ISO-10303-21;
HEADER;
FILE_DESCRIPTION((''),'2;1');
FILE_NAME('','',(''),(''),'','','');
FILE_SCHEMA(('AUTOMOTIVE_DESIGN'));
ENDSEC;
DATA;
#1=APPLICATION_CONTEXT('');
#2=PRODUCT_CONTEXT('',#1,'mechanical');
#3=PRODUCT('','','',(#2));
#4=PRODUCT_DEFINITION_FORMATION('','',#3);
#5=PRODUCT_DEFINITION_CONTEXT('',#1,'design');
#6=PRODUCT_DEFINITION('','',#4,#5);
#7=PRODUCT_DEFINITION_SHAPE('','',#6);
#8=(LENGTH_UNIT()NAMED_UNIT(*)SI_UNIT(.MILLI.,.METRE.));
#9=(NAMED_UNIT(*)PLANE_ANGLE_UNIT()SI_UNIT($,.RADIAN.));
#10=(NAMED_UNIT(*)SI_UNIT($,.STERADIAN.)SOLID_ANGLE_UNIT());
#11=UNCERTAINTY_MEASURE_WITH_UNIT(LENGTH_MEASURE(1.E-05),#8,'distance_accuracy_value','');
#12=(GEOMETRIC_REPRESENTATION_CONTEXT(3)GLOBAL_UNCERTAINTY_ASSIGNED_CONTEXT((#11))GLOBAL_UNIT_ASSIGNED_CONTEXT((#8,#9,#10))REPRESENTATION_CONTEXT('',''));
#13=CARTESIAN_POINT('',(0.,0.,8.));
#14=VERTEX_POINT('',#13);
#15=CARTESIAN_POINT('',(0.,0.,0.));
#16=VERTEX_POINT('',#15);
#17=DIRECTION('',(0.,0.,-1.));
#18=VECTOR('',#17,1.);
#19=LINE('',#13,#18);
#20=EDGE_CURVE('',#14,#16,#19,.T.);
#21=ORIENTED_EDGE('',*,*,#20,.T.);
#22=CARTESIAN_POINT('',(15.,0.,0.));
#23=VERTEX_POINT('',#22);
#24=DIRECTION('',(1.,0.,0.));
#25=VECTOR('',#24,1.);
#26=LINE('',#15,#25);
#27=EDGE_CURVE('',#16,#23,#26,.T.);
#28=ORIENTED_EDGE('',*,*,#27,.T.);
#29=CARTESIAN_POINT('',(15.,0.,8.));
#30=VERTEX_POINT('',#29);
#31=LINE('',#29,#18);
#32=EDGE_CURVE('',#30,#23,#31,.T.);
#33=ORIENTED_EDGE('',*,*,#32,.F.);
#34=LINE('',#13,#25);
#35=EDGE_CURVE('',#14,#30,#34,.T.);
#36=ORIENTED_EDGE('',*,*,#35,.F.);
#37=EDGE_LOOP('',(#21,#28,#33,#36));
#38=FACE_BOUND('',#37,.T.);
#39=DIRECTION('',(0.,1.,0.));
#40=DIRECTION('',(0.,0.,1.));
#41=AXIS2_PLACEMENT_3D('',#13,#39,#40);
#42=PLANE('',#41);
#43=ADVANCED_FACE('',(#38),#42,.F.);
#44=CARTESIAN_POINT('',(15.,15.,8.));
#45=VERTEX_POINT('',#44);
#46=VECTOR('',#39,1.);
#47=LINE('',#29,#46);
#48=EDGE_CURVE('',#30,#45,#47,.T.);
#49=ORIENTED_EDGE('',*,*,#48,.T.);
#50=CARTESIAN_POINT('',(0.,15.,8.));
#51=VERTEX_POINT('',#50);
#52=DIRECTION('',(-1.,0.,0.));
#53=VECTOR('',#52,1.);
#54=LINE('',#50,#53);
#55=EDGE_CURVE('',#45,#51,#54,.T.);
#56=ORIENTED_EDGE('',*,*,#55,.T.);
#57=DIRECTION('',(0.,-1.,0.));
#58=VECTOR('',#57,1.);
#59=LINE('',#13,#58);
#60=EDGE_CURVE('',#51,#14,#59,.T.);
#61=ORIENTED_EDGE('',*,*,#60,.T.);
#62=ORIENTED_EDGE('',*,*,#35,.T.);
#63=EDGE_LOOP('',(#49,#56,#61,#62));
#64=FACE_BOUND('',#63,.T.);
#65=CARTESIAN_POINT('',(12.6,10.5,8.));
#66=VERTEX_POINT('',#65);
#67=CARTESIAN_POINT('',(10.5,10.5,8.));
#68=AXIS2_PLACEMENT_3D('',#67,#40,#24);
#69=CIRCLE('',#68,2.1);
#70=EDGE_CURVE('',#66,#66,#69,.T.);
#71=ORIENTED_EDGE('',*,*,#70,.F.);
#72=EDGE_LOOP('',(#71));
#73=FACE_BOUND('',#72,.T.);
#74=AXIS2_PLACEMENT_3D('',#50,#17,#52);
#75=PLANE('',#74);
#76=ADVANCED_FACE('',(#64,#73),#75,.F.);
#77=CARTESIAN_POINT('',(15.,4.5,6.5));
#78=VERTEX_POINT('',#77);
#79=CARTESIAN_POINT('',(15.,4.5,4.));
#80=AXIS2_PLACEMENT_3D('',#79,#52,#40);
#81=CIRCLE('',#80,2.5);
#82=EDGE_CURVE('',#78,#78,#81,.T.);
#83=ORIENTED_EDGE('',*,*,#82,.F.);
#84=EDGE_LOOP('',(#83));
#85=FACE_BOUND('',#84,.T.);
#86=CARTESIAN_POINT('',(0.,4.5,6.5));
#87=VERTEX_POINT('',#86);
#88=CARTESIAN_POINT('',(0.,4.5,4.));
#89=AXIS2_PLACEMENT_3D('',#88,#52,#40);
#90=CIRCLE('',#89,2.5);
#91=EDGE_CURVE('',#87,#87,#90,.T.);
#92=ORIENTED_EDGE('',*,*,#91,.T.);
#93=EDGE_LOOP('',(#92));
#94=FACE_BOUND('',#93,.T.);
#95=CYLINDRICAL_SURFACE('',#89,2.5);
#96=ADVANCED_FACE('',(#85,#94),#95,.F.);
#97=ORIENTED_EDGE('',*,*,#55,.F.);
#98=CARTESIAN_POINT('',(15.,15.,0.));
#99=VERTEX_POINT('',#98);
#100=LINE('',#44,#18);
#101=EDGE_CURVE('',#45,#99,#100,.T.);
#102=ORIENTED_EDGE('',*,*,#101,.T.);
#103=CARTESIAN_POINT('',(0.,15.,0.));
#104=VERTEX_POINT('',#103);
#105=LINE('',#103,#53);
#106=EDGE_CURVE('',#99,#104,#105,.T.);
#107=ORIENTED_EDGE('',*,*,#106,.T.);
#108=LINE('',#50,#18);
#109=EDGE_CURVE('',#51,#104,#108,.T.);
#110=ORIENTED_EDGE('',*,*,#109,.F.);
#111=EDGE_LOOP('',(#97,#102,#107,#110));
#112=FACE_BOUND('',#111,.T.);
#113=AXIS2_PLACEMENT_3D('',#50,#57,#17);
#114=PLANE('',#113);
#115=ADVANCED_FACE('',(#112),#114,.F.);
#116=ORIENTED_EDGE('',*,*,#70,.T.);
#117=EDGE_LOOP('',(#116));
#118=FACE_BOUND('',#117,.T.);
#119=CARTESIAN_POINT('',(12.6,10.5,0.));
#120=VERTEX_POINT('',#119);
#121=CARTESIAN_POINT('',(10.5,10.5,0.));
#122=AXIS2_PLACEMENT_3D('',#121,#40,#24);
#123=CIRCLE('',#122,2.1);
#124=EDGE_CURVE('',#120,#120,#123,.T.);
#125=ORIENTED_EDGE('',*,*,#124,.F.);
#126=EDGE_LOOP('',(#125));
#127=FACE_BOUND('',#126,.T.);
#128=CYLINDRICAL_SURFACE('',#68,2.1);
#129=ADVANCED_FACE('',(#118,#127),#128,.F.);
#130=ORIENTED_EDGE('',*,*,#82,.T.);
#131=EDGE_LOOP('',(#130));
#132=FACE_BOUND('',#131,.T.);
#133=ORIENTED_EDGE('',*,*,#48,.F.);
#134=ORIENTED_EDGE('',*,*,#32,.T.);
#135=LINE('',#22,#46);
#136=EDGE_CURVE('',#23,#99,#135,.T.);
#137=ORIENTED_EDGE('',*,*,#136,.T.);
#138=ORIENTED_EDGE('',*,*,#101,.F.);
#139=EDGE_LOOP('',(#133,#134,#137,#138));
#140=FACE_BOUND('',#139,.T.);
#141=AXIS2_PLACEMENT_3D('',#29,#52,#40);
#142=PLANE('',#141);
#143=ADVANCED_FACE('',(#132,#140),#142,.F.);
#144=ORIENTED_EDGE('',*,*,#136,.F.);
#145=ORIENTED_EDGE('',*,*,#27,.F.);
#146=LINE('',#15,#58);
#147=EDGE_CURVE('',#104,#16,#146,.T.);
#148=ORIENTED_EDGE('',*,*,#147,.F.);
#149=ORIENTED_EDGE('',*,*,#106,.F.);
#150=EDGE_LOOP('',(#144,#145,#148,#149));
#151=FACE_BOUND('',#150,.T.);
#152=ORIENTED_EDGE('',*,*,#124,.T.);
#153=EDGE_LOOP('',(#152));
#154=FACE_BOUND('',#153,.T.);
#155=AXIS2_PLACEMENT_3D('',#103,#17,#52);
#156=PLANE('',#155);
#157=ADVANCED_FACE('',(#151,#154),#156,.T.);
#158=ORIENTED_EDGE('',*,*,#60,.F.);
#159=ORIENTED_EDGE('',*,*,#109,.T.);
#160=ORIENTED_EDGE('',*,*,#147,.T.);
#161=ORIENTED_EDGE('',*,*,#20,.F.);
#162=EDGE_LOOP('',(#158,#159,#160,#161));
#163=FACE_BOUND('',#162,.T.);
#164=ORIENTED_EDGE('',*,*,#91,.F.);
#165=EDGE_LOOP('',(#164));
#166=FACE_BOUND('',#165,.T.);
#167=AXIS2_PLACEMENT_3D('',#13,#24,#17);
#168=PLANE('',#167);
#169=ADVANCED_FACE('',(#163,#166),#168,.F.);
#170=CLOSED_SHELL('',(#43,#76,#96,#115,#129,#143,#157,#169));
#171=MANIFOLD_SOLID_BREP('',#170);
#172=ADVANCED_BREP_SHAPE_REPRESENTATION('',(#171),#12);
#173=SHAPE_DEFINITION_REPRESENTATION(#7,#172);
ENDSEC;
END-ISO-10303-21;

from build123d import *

# Parameters (mm, degrees)
SKETCH1_W                   = 15
SKETCH1_H                   = 15
BOSS_EXTRUDE1_DEPTH         = 8
TAP_DRILL_FOR_M5X0_8_TAP1_D = 4.2
F_5_0_5_DIAMETER_HOLE1_D    = 5


with BuildPart() as part:
    # Sketch1 → Boss-Extrude1 (new body)
    with BuildSketch(Plane.XY):
        with Locations((7.5, 7.5)):
            Rectangle(SKETCH1_W, SKETCH1_H)
    extrude(amount=BOSS_EXTRUDE1_DEPTH)

    # Tap Drill for M5x0.8 Tap1 (through all)
    with Locations(Plane.XY.offset(8)):
        with Locations((10.5, 10.5)):
            Hole(TAP_DRILL_FOR_M5X0_8_TAP1_D / 2)

    # Ø5.0 (5) Diameter Hole1 (through all)
    with Locations(Plane.ZY):
        with Locations((4, 4.5)):
            Hole(F_5_0_5_DIAMETER_HOLE1_D / 2)


solid = part.part
